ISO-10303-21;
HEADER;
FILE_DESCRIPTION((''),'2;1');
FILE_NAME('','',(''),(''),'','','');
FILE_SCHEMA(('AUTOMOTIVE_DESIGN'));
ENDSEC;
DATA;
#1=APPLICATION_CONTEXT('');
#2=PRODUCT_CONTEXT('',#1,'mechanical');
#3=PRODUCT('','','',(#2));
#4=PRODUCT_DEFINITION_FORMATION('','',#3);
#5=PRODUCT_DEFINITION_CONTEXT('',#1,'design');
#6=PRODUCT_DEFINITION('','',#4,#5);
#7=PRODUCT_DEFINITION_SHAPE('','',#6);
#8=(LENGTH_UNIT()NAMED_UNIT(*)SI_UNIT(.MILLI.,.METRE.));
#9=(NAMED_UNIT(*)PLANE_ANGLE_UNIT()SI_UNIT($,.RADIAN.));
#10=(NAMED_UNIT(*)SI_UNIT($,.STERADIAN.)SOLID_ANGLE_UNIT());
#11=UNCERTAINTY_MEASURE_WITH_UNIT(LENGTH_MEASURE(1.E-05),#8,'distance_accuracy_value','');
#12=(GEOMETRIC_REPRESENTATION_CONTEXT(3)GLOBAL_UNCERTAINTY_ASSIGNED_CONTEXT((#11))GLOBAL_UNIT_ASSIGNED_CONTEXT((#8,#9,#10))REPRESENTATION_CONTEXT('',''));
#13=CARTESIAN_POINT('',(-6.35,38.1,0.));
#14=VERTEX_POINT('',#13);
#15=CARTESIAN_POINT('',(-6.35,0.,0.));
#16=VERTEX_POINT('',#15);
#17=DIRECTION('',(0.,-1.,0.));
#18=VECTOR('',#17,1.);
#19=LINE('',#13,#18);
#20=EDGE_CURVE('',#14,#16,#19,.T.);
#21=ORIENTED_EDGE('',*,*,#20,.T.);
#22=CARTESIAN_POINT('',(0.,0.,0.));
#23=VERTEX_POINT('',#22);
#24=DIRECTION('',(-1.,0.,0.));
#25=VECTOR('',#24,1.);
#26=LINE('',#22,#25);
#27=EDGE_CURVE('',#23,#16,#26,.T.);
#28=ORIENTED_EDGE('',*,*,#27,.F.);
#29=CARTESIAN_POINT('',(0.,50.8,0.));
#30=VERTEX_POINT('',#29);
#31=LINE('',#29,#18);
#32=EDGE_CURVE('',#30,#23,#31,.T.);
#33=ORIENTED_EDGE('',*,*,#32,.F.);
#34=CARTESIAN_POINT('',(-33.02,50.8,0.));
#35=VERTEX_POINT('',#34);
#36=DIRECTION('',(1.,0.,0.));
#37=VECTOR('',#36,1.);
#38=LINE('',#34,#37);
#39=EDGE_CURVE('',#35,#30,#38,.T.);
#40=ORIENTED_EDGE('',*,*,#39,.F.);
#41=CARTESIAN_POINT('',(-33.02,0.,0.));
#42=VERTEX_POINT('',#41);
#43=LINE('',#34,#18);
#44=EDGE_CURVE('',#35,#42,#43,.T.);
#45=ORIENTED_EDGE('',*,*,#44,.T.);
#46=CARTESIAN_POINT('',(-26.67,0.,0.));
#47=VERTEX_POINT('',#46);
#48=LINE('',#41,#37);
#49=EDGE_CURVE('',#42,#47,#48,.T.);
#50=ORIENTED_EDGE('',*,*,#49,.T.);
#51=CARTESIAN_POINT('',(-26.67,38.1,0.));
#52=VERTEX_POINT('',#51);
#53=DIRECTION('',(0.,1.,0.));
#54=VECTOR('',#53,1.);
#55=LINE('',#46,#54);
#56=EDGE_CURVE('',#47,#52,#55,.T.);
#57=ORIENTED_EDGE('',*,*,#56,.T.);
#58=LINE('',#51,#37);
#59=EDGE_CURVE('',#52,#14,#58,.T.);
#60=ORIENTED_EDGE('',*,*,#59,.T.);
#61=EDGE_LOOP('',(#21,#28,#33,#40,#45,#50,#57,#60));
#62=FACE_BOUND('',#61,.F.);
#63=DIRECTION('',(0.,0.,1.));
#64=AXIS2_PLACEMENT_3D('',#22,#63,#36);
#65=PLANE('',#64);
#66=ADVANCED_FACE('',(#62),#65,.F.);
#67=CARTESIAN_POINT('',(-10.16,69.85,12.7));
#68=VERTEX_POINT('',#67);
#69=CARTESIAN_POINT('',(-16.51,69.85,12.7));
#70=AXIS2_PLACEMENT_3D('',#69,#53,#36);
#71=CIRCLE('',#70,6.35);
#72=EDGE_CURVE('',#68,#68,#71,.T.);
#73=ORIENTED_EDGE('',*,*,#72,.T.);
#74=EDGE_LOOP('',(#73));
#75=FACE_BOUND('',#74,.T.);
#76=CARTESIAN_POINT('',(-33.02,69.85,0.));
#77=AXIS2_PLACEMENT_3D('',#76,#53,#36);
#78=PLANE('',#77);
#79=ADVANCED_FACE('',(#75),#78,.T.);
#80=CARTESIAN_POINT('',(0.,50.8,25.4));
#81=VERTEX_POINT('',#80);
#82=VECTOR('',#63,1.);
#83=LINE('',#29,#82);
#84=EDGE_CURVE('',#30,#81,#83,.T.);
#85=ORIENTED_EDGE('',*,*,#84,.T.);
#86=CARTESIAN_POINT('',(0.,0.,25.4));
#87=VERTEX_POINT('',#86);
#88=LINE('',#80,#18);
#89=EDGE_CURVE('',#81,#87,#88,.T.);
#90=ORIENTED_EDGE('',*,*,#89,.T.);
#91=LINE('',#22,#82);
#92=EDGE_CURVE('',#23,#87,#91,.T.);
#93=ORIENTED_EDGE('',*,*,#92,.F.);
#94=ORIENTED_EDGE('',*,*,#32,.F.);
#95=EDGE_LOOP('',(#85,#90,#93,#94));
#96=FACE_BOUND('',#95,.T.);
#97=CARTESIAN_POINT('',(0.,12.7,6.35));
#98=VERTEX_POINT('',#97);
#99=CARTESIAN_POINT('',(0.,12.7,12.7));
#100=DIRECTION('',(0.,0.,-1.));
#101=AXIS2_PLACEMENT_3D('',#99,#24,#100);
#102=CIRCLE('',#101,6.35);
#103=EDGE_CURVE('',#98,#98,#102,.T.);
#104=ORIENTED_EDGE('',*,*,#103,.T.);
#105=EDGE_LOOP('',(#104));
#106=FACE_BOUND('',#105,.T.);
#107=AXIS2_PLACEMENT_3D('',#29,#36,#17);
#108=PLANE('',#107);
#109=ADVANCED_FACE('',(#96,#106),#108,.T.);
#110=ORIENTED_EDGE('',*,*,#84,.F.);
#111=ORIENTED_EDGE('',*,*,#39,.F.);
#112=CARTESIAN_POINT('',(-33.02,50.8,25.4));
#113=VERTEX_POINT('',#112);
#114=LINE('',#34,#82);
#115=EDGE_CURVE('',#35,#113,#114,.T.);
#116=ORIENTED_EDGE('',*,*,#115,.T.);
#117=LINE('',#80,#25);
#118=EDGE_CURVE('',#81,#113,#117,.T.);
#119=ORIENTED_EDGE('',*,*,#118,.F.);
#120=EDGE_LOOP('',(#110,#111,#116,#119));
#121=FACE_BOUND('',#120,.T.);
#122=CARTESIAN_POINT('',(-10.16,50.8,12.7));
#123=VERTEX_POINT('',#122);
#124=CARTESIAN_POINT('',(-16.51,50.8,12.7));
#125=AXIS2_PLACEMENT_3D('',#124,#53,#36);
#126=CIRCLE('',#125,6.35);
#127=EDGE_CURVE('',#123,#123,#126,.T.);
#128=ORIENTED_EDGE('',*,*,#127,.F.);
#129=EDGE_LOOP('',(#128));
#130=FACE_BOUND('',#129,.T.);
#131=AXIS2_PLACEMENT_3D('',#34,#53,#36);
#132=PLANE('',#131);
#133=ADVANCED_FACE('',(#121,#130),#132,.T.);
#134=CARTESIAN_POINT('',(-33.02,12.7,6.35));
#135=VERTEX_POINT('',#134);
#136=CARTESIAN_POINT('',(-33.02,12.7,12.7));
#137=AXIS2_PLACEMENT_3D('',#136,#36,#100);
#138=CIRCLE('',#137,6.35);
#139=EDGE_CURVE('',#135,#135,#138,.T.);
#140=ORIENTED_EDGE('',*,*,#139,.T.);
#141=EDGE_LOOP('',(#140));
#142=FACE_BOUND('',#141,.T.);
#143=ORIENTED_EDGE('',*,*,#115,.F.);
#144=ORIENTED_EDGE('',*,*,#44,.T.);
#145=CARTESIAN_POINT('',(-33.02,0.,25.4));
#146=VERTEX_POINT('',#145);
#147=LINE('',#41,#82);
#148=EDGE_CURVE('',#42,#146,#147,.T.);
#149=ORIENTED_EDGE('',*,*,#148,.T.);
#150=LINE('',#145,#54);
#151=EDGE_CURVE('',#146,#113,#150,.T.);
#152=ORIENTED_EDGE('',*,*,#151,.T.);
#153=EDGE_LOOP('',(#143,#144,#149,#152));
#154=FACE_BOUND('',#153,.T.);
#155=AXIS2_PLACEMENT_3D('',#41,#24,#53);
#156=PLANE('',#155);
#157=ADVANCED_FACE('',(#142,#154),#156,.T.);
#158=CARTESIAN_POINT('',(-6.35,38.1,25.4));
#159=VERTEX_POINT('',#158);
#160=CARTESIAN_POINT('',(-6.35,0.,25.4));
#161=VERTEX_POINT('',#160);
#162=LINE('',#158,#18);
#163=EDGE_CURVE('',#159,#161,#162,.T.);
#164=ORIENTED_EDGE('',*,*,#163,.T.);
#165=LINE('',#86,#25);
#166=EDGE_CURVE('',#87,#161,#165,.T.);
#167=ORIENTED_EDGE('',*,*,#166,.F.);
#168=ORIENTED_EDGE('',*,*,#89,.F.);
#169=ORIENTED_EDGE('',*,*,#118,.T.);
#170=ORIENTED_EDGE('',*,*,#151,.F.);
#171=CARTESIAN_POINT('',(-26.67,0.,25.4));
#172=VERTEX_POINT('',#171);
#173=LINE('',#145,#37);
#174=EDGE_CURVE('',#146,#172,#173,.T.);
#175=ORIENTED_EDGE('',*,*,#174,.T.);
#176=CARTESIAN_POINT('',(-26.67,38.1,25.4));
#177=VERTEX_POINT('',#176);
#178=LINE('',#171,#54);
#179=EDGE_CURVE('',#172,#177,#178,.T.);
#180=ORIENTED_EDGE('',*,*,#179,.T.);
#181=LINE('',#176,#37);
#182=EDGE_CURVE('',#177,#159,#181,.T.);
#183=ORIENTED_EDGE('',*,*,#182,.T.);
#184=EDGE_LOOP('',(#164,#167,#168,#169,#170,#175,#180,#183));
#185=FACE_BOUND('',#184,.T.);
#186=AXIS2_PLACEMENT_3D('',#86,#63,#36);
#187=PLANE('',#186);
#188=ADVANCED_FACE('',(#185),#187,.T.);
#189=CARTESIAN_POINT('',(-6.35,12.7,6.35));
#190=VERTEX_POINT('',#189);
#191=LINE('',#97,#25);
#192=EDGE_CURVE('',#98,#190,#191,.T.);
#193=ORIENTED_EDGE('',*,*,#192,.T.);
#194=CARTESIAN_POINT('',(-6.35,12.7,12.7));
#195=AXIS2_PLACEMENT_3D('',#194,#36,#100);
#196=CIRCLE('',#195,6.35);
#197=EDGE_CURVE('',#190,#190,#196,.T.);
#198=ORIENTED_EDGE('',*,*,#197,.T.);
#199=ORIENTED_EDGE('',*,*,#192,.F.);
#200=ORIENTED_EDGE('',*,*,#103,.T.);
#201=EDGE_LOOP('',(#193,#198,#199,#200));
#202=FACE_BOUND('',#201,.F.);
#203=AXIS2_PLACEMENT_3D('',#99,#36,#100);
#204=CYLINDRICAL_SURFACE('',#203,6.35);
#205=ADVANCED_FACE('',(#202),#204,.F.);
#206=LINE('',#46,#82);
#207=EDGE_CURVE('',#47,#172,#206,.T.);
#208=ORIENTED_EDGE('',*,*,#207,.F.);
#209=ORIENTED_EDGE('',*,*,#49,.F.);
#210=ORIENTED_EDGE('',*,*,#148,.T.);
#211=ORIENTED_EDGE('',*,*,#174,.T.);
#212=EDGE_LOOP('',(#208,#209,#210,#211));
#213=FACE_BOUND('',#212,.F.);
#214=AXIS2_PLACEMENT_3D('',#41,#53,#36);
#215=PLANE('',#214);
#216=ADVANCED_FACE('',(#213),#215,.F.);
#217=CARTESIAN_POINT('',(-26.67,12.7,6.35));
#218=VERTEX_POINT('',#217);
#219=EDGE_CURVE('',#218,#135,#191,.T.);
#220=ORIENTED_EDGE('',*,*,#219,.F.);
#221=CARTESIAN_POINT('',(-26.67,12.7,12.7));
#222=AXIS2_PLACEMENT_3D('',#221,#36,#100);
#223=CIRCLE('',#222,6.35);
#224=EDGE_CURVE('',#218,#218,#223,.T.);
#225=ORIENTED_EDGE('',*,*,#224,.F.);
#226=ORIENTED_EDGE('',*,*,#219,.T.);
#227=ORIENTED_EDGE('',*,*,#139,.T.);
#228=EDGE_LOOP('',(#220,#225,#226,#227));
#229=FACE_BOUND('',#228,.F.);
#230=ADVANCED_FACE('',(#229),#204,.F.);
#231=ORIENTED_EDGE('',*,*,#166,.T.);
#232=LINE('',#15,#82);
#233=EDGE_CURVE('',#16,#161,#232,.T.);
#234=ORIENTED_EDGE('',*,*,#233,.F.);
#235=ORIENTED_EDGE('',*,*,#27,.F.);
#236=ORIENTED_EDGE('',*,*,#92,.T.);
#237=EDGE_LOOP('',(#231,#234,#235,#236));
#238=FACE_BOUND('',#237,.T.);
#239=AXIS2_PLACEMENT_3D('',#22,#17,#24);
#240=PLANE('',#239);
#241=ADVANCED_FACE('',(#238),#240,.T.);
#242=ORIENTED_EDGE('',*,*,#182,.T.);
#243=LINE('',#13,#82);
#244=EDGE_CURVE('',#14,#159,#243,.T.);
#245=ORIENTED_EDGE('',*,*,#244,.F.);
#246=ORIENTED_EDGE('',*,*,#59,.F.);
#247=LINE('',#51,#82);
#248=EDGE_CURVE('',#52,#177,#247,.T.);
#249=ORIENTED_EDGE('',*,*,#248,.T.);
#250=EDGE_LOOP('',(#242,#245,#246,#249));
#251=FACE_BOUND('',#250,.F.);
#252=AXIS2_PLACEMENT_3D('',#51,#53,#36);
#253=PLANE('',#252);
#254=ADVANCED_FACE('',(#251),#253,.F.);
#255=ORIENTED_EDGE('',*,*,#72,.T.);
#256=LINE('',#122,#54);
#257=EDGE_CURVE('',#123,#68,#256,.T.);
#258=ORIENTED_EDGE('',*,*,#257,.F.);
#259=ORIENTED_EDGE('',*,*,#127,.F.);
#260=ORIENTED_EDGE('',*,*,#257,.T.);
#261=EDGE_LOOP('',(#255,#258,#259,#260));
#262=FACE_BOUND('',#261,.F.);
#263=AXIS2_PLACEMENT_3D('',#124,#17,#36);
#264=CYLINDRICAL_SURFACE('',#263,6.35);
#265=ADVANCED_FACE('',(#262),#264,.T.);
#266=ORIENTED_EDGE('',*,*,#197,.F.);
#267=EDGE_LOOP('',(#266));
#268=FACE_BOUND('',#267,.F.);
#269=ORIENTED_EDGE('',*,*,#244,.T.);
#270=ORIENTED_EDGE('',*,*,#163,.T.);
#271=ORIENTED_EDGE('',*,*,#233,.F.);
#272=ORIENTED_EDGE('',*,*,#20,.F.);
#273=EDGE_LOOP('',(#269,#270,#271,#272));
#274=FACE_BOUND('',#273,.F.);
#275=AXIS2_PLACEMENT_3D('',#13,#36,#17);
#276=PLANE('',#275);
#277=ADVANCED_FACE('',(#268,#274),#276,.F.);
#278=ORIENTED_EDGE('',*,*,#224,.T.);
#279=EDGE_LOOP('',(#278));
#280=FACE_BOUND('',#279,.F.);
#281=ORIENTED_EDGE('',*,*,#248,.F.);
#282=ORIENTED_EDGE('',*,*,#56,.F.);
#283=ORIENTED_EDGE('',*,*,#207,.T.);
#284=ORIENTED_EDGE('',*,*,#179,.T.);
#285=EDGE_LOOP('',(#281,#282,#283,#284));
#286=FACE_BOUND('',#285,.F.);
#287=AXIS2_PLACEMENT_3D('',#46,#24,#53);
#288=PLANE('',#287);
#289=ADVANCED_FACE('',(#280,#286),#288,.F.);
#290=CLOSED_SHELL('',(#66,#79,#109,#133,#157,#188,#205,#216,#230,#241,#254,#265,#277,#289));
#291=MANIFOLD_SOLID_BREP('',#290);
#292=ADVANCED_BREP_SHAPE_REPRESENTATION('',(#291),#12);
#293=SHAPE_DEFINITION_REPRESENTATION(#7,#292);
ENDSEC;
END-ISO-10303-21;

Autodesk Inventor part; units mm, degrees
ref_plane "YZ Plane" through (0, 0, 0) normal (1, 0, 0) x (0, 1, 0)
ref_plane "XZ Plane" through (0, 0, 0) normal (0, 1, 0) x (-1, 0, 0)
ref_plane "XY Plane" through (0, 0, 0) normal (0, 0, 1) x (1, 0, 0)
sketch "Sketch1" plane through (0, 0, 0) normal (0, 0, 1) x (1, 0, 0)
  line L0 (-33.02, 0) -> (-33.02, 50.8)
  line L1 (-33.02, 50.8) -> (0, 50.8)
  line L2 (0, 50.8) -> (0, 0)
  line L3 (-33.02, 0) -> (-26.67, 0)
  line L4 (-26.67, 0) -> (-26.67, 38.1)
  line L5 (-33.02, 50.8) -> (-33.02, 44.45)
  line L6 (-26.67, 38.1) -> (-6.35, 38.1)
  line L7 (0, 50.8) -> (-6.35, 50.8)
  line L8 (-6.35, 38.1) -> (-6.35, 0)
  line L9 (0, 0) -> (-6.35, 0)
  line L10 (-26.67, 0) -> (-33.02, 0)
  dimension "d0" = 33.02
  dimension "d1" = 50.8
  dimension "d2" = 6.35
  dimension "d3" = 6.35
  dimension "d4" = 6.35
  dimension "d11" = 50.8
  dimension "d15" = 38.1
extrude "Extrusion1" add sketch "Sketch1" along normal blind 25.4
sketch "Sketch2" plane through (0, 0, 0) normal (1, 0, 0) x (0, 0, -1)
  line L0 (0, 0) -> (-25.4, 0) projected
  line L1 (0, 50.8) -> (-25.4, 50.8) projected
  line L2 (-12.7, 0) -> (-12.7, 12.7)
  circle A0 centre (-12.7, 12.7) radius 6.35
  dimension "d7" = 12.7
  dimension "d8" = 12.7
extrude "Extrusion2" cut sketch "Sketch2" against normal blind 254
sketch "Sketch3" plane through (-33.02, 50.8, 0) normal (0, 1, 0) x (1, 0, 0)
  circle A0 centre (16.51, -12.7) radius 6.35
  dimension "d12" = 12.7
extrude "Extrusion3" add sketch "Sketch3" along normal blind 19.05
properties part number "small wheel support"
